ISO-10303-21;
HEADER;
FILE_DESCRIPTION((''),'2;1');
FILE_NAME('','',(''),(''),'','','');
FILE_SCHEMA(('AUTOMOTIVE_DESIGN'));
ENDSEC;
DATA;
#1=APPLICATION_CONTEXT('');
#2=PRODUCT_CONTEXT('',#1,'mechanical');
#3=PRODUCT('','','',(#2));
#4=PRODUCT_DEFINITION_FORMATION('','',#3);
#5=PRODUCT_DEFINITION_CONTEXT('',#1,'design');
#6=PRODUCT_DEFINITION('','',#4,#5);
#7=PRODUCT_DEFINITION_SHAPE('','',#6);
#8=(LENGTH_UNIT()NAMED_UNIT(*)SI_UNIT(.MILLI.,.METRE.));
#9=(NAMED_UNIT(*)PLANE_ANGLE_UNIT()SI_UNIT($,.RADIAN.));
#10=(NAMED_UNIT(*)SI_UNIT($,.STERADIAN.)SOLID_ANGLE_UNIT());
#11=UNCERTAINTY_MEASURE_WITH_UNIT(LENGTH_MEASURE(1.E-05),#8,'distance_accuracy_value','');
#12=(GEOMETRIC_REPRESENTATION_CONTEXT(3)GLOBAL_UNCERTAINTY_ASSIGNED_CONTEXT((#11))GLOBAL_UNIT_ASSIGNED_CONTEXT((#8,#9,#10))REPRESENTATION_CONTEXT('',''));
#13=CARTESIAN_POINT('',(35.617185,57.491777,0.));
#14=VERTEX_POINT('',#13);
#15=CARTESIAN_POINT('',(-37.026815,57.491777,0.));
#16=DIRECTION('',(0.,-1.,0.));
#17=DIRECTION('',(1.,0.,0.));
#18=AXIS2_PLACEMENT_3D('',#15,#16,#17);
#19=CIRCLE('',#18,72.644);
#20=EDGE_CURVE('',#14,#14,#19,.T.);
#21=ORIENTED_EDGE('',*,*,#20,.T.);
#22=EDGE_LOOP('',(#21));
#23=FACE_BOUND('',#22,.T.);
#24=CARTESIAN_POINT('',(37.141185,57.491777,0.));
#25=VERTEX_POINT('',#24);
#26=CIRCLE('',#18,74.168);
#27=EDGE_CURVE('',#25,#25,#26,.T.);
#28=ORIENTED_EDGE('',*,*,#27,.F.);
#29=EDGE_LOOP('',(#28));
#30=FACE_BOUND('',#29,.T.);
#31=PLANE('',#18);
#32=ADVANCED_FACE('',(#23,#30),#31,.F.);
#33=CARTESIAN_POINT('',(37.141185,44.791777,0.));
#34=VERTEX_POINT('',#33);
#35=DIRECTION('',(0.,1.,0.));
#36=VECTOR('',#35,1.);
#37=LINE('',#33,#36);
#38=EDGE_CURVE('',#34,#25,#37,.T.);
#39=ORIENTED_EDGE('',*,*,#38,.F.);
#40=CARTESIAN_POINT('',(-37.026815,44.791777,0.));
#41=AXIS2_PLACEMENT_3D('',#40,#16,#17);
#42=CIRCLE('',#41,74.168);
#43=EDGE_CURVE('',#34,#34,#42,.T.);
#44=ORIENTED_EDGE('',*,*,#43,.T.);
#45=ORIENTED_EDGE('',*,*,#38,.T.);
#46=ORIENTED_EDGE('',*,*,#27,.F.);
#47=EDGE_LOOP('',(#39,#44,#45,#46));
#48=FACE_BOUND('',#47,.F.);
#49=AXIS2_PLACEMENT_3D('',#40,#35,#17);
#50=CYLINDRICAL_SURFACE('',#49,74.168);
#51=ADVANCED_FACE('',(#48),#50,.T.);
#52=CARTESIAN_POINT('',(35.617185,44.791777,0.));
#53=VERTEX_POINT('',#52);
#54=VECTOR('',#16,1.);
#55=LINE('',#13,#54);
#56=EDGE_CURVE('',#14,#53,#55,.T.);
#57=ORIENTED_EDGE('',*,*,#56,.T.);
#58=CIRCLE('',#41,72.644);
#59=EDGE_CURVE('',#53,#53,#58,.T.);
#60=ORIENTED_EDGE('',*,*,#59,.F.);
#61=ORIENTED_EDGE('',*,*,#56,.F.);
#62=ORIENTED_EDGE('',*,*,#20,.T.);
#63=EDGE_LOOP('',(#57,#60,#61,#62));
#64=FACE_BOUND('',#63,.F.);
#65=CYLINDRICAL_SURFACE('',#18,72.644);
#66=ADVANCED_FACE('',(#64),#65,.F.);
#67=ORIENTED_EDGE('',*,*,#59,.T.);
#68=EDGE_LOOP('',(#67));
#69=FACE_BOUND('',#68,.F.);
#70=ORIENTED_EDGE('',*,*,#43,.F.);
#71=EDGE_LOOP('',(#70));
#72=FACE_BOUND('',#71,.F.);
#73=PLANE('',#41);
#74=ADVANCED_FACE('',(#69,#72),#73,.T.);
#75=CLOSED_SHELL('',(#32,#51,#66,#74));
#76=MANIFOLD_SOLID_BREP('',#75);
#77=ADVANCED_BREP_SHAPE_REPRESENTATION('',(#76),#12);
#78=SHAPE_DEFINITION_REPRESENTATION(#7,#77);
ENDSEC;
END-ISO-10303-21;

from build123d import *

# Parameters (mm, degrees)
F0_W = 1.524
F0_H = 6.35


with BuildPart() as f1:
    # F0 (on Top) → F1 (revolve)
    with BuildSketch(Plane.XY):
        with Locations((36.379185, 54.316777)):
            Rectangle(F0_W, F0_H)
        with Locations((36.379185, 47.966777)):
            Rectangle(F0_W, F0_H)
    revolve(axis=Axis((-37.026815, 41.721059, 0), (0, -1, 0)))


solid = f1.part
